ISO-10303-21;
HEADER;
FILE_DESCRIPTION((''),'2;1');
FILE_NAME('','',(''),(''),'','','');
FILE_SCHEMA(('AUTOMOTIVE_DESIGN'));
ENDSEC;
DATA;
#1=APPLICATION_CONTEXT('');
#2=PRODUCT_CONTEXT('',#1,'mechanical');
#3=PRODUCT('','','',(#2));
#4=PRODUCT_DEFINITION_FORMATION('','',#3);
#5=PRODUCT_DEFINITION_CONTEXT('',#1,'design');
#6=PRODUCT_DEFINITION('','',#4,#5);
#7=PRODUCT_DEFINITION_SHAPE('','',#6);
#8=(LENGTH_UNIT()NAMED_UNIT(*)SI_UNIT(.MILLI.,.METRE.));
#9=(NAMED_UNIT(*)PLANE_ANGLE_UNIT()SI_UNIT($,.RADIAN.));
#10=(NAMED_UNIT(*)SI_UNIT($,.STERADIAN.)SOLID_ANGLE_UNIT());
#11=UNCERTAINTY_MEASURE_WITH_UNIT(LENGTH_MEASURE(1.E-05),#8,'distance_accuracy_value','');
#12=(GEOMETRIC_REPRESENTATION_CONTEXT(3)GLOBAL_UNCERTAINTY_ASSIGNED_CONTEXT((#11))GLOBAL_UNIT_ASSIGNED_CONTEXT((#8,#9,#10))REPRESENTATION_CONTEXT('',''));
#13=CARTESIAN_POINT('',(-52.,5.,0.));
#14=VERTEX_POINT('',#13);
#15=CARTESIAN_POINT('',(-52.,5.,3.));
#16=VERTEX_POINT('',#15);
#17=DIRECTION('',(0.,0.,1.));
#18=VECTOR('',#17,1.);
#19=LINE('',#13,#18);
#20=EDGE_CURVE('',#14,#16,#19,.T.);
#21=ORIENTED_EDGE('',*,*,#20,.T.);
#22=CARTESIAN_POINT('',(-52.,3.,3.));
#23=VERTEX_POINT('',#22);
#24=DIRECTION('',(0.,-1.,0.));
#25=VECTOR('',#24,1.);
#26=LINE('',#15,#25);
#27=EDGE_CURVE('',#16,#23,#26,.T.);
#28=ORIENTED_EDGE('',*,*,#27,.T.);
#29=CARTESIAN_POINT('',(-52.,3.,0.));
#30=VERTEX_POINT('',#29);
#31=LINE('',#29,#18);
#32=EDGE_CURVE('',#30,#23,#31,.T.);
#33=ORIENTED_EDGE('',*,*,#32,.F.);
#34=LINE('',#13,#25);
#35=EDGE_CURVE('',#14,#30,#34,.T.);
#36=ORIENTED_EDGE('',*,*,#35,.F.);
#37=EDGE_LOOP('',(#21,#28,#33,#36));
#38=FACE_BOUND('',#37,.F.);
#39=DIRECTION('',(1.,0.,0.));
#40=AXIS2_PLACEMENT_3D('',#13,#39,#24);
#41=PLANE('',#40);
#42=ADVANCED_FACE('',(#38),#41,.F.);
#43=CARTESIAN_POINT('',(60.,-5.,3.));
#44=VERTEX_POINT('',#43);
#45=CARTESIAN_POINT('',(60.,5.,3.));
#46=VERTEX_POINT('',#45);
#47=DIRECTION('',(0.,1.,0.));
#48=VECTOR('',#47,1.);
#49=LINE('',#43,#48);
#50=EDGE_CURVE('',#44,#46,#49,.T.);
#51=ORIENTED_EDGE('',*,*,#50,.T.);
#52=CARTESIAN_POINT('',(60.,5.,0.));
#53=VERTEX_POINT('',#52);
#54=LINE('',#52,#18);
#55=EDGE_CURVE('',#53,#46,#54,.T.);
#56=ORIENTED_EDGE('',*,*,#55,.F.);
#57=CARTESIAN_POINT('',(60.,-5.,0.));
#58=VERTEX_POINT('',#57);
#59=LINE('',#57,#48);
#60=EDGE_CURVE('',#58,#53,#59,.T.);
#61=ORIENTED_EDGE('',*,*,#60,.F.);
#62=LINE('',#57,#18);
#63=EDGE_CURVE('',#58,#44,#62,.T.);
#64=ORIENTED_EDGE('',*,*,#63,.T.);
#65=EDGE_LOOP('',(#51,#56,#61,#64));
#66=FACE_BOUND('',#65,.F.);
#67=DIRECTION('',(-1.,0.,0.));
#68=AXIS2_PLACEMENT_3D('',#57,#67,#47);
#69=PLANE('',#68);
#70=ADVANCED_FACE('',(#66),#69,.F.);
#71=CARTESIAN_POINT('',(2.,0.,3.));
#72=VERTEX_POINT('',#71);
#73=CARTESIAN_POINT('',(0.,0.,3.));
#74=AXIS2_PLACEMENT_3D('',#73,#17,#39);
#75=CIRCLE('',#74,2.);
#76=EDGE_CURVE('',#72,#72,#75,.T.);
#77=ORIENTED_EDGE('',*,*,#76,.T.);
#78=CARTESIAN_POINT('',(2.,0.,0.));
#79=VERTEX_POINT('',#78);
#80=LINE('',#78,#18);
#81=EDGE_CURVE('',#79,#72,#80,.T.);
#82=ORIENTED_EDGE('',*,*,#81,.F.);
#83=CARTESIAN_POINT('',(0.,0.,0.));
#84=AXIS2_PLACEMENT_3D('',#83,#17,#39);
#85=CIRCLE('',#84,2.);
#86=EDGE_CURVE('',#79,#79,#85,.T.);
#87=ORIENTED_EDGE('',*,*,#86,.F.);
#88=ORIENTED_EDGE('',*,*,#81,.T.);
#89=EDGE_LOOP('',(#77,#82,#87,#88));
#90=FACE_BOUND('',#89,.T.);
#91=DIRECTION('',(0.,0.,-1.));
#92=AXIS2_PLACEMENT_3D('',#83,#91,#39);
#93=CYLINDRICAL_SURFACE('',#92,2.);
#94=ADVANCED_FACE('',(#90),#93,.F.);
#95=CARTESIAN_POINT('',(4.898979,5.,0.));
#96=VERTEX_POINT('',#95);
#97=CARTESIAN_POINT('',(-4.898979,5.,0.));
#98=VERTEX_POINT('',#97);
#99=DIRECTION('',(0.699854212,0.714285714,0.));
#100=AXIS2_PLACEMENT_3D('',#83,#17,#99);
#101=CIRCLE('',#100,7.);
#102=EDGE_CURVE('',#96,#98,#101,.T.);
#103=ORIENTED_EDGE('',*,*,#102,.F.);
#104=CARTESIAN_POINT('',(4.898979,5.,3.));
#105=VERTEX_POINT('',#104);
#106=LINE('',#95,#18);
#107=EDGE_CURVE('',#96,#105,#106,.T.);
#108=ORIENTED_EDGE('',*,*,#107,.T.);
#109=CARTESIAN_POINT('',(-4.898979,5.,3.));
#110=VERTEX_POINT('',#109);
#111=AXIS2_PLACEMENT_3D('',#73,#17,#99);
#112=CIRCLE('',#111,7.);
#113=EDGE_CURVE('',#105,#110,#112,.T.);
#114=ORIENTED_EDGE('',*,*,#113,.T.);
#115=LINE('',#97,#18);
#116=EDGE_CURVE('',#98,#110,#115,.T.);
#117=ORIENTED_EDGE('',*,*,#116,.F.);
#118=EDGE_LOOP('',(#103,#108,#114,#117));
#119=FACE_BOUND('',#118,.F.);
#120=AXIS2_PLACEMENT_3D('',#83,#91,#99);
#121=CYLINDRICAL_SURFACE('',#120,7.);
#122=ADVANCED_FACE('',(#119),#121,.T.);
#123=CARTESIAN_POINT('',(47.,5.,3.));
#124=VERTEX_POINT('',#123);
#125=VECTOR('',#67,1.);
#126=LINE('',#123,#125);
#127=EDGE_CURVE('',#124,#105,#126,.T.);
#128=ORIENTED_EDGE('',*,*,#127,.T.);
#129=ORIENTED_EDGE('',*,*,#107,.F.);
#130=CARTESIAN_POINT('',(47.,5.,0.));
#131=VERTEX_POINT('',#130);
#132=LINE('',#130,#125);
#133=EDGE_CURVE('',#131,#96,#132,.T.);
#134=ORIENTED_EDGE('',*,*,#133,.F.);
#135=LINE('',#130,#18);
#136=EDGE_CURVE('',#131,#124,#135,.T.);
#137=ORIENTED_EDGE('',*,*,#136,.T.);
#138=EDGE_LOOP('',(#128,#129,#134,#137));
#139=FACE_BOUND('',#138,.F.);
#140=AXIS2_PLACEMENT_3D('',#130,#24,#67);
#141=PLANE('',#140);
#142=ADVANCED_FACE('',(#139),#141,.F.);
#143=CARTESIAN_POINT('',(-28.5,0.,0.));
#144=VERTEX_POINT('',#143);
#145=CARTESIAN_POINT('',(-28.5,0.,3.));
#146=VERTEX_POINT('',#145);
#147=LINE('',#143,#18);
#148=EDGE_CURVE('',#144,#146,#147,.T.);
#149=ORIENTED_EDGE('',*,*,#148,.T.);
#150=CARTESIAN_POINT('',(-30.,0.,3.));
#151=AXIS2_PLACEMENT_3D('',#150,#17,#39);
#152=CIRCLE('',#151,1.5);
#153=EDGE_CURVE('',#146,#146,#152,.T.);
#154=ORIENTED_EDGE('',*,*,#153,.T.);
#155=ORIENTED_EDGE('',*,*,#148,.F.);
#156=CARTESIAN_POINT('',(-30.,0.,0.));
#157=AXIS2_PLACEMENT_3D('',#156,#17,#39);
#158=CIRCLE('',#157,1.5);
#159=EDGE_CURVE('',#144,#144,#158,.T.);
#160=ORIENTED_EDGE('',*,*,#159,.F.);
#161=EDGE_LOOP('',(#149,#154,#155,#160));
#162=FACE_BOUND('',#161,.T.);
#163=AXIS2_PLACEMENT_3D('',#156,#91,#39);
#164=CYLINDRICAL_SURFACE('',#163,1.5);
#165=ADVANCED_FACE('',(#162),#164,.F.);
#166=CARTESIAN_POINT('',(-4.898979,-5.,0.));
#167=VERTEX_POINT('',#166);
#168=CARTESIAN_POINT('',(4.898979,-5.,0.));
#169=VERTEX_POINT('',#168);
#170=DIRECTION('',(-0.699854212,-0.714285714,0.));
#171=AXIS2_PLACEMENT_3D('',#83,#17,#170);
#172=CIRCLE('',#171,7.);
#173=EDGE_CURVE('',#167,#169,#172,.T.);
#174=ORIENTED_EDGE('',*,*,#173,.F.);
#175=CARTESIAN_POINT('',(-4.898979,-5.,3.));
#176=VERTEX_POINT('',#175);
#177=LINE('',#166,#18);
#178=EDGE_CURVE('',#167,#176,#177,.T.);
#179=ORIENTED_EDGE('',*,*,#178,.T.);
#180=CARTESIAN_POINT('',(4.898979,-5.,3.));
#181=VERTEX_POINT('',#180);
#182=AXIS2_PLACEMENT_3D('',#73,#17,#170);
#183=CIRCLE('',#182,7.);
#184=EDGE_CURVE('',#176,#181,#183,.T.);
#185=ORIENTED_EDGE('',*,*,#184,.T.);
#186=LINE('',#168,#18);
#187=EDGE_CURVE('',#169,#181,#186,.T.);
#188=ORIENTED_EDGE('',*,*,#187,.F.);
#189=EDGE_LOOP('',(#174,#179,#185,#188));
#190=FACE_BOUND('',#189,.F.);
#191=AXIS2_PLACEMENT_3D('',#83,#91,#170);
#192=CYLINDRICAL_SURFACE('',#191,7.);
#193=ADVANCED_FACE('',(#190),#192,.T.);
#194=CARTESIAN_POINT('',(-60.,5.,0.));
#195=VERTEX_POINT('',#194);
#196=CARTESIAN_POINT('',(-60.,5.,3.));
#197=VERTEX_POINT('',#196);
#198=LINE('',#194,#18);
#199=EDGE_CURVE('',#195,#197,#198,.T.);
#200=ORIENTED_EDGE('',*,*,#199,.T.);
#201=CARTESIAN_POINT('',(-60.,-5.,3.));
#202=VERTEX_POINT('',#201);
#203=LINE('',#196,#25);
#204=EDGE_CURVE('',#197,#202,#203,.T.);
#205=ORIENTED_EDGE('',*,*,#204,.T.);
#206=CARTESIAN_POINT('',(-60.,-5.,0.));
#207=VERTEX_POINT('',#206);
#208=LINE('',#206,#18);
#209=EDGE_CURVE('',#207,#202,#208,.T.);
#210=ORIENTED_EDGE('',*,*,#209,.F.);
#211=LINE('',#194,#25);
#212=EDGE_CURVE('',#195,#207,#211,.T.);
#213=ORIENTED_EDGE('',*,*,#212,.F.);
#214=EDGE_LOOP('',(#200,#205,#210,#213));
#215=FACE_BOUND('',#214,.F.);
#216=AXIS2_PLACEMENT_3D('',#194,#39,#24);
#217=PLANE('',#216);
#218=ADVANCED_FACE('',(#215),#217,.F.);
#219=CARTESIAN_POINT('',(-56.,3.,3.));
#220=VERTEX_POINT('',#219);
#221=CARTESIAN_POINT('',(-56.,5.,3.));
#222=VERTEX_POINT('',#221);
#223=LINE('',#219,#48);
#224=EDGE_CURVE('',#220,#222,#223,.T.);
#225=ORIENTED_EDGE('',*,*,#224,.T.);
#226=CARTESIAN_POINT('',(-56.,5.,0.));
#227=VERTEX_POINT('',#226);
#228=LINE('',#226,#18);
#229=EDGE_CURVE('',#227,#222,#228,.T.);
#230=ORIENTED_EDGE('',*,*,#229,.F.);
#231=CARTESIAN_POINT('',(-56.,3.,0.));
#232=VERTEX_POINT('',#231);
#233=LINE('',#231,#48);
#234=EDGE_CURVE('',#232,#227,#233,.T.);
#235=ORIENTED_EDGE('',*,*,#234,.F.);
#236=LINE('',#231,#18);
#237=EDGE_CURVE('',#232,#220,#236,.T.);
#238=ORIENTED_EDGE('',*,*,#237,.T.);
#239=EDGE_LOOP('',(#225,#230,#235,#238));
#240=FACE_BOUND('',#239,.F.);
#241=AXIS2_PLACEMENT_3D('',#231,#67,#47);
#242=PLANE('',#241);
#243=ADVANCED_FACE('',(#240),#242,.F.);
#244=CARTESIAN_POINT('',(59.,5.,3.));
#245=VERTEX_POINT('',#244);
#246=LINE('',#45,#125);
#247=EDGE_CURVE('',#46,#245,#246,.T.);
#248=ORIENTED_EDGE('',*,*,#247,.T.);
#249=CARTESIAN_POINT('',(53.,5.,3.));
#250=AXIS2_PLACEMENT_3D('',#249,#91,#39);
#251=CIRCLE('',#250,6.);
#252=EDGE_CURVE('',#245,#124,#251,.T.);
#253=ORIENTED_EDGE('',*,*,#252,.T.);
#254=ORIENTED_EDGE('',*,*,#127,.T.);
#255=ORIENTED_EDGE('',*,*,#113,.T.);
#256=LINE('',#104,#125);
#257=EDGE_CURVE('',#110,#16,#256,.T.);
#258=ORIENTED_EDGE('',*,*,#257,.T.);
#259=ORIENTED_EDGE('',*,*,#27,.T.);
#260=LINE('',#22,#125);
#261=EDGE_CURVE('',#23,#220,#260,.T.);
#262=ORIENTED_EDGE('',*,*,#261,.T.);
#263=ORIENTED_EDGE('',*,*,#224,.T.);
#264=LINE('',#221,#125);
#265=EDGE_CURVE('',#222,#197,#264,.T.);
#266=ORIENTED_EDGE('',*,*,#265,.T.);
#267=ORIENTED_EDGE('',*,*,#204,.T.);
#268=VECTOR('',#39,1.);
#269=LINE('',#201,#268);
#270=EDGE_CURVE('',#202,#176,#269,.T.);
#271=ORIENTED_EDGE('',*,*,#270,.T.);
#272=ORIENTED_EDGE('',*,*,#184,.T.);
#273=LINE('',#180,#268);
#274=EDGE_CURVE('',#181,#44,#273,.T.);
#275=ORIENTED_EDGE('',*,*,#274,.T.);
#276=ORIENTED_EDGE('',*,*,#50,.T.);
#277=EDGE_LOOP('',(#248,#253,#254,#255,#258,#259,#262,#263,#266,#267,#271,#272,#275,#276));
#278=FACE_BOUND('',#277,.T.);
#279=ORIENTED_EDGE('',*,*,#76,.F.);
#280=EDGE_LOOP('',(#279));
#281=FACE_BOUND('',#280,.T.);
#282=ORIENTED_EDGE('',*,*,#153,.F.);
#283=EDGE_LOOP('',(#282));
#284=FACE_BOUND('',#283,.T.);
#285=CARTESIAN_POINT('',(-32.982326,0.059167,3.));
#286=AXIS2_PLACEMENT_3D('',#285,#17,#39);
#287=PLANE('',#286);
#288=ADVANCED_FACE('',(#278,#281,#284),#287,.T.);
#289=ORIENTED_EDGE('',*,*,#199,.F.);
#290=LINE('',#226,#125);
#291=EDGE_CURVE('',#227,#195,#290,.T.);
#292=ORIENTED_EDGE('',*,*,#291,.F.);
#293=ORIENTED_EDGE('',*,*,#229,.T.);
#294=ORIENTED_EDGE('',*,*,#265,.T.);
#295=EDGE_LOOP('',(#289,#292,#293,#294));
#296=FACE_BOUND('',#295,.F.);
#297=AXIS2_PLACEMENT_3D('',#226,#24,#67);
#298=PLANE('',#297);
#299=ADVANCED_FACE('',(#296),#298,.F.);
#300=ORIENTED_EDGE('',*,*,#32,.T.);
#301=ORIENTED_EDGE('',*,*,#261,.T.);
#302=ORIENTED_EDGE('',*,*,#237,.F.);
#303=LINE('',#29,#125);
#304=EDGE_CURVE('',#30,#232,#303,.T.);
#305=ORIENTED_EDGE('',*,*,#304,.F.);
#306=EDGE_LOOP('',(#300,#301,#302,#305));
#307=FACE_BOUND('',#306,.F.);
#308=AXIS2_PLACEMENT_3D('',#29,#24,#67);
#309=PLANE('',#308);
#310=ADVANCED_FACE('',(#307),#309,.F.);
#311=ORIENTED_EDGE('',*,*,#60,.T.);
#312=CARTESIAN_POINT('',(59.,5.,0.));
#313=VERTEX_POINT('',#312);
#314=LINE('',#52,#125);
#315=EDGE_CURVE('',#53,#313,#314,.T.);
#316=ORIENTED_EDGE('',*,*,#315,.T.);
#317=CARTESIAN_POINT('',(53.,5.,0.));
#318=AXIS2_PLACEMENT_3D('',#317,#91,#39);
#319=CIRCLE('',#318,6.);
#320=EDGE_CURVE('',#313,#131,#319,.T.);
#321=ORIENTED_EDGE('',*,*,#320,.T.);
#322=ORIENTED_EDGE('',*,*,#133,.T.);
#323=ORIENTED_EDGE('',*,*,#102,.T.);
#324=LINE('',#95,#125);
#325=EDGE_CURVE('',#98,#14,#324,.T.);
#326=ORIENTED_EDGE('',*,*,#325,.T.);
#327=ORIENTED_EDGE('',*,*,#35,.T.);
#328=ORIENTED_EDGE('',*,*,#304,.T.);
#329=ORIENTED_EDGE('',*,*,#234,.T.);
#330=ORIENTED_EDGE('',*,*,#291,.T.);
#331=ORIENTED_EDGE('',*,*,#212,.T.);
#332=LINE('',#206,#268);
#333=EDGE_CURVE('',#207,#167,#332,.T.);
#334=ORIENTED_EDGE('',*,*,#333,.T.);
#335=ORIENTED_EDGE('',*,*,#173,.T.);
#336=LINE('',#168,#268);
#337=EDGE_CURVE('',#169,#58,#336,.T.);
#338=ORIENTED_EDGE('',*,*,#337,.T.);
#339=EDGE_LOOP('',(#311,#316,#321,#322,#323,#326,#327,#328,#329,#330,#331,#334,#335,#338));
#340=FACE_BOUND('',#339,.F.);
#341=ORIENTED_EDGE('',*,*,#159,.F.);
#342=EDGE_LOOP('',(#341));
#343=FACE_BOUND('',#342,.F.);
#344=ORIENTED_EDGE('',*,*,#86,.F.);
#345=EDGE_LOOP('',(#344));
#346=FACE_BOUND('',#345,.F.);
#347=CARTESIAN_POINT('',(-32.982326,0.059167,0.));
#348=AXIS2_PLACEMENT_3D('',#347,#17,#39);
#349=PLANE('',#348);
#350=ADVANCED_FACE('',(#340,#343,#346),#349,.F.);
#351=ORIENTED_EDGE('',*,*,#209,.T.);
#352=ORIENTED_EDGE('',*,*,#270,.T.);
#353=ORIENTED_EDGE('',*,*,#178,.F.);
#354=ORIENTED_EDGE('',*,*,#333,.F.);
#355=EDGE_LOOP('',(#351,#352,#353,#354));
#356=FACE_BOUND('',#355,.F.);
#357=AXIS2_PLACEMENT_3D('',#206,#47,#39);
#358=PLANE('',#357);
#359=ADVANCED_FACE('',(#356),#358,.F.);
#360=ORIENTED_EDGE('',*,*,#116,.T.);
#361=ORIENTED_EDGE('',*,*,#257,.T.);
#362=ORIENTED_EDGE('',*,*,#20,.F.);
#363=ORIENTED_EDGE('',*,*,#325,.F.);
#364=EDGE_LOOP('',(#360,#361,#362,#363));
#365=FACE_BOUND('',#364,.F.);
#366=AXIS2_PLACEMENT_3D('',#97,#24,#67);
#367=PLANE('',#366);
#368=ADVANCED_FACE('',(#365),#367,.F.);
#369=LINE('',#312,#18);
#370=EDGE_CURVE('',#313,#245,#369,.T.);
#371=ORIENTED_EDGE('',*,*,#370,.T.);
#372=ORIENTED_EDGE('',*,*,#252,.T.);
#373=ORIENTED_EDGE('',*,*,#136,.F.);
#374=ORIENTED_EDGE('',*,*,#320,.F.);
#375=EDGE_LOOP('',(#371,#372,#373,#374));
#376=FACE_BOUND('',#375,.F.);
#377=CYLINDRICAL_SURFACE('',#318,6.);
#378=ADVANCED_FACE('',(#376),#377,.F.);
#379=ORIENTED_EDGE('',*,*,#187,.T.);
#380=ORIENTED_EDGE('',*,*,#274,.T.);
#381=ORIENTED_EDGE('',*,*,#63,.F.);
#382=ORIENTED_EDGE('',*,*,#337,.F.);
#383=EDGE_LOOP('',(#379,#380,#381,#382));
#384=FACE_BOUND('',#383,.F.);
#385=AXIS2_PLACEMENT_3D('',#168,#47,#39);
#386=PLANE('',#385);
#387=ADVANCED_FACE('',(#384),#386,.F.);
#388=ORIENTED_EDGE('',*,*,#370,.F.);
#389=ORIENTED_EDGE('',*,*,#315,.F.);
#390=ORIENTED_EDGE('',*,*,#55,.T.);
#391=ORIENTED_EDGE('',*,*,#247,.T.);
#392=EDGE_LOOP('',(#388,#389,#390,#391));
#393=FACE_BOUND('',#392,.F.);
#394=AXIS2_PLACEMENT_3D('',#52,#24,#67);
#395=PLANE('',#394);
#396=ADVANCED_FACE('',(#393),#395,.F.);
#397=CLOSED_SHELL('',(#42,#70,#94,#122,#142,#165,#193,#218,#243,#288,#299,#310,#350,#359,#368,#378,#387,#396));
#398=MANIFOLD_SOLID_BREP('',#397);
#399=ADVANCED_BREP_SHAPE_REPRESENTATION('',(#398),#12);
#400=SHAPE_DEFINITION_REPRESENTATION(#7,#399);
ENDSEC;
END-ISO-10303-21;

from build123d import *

# Parameters (mm, degrees)
F0_R     = 1.5
F0_R_2   = 2
F1_DEPTH = 3


with BuildPart() as f1:
    # F0 (on Top) → F1 (new body)
    with BuildSketch(Plane.XY):
        with BuildLine():
            Line((-60, -5), (-4.8989794856, -5))
            ThreePointArc((-4.8989794856, -5), (-7, 0), (-4.8989794856, 5))
            Line((-4.8989794856, 5), (-52, 5))
            Line((-52, 5), (-52, 3))
            Line((-52, 3), (-56, 3))
            Line((-56, 3), (-56, 5))
            Line((-56, 5), (-60, 5))
            Line((-60, 5), (-60, -5))
        make_face()
        with Locations((-30, 0)):
            Circle(F0_R, mode=Mode.SUBTRACT)
        with BuildLine():
            Line((-4.8989794856, -5), (4.8989794856, -5))
            ThreePointArc((4.8989794856, -5), (6.4534043883, -2.7117470016), (7, 0))
            ThreePointArc((7, 0), (6.4534043883, 2.7117470016), (4.8989794856, 5))
            Line((4.8989794856, 5), (-4.8989794856, 5))
            ThreePointArc((-4.8989794856, 5), (-7, 0), (-4.8989794856, -5))
        make_face()
        Circle(F0_R_2, mode=Mode.SUBTRACT)
        with BuildLine():
            ThreePointArc((4.8989794856, 5), (0, 7), (-4.8989794856, 5))
            Line((-4.8989794856, 5), (4.8989794856, 5))
        make_face()
        with BuildLine():
            ThreePointArc((-4.8989794856, -5), (0, -7), (4.8989794856, -5))
            Line((4.8989794856, -5), (-4.8989794856, -5))
        make_face()
        with BuildLine():
            Line((4.8989794856, -5), (60, -5))
            Line((60, -5), (60, 5))
            Line((60, 5), (59, 5))
            ThreePointArc((59, 5), (53, -1), (47, 5))
            Line((47, 5), (4.8989794856, 5))
            ThreePointArc((4.8989794856, 5), (6.4534043883, 2.7117470016), (7, 0))
            ThreePointArc((7, 0), (6.4534043883, -2.7117470016), (4.8989794856, -5))
        make_face()
    extrude(amount=F1_DEPTH)


solid = f1.part
